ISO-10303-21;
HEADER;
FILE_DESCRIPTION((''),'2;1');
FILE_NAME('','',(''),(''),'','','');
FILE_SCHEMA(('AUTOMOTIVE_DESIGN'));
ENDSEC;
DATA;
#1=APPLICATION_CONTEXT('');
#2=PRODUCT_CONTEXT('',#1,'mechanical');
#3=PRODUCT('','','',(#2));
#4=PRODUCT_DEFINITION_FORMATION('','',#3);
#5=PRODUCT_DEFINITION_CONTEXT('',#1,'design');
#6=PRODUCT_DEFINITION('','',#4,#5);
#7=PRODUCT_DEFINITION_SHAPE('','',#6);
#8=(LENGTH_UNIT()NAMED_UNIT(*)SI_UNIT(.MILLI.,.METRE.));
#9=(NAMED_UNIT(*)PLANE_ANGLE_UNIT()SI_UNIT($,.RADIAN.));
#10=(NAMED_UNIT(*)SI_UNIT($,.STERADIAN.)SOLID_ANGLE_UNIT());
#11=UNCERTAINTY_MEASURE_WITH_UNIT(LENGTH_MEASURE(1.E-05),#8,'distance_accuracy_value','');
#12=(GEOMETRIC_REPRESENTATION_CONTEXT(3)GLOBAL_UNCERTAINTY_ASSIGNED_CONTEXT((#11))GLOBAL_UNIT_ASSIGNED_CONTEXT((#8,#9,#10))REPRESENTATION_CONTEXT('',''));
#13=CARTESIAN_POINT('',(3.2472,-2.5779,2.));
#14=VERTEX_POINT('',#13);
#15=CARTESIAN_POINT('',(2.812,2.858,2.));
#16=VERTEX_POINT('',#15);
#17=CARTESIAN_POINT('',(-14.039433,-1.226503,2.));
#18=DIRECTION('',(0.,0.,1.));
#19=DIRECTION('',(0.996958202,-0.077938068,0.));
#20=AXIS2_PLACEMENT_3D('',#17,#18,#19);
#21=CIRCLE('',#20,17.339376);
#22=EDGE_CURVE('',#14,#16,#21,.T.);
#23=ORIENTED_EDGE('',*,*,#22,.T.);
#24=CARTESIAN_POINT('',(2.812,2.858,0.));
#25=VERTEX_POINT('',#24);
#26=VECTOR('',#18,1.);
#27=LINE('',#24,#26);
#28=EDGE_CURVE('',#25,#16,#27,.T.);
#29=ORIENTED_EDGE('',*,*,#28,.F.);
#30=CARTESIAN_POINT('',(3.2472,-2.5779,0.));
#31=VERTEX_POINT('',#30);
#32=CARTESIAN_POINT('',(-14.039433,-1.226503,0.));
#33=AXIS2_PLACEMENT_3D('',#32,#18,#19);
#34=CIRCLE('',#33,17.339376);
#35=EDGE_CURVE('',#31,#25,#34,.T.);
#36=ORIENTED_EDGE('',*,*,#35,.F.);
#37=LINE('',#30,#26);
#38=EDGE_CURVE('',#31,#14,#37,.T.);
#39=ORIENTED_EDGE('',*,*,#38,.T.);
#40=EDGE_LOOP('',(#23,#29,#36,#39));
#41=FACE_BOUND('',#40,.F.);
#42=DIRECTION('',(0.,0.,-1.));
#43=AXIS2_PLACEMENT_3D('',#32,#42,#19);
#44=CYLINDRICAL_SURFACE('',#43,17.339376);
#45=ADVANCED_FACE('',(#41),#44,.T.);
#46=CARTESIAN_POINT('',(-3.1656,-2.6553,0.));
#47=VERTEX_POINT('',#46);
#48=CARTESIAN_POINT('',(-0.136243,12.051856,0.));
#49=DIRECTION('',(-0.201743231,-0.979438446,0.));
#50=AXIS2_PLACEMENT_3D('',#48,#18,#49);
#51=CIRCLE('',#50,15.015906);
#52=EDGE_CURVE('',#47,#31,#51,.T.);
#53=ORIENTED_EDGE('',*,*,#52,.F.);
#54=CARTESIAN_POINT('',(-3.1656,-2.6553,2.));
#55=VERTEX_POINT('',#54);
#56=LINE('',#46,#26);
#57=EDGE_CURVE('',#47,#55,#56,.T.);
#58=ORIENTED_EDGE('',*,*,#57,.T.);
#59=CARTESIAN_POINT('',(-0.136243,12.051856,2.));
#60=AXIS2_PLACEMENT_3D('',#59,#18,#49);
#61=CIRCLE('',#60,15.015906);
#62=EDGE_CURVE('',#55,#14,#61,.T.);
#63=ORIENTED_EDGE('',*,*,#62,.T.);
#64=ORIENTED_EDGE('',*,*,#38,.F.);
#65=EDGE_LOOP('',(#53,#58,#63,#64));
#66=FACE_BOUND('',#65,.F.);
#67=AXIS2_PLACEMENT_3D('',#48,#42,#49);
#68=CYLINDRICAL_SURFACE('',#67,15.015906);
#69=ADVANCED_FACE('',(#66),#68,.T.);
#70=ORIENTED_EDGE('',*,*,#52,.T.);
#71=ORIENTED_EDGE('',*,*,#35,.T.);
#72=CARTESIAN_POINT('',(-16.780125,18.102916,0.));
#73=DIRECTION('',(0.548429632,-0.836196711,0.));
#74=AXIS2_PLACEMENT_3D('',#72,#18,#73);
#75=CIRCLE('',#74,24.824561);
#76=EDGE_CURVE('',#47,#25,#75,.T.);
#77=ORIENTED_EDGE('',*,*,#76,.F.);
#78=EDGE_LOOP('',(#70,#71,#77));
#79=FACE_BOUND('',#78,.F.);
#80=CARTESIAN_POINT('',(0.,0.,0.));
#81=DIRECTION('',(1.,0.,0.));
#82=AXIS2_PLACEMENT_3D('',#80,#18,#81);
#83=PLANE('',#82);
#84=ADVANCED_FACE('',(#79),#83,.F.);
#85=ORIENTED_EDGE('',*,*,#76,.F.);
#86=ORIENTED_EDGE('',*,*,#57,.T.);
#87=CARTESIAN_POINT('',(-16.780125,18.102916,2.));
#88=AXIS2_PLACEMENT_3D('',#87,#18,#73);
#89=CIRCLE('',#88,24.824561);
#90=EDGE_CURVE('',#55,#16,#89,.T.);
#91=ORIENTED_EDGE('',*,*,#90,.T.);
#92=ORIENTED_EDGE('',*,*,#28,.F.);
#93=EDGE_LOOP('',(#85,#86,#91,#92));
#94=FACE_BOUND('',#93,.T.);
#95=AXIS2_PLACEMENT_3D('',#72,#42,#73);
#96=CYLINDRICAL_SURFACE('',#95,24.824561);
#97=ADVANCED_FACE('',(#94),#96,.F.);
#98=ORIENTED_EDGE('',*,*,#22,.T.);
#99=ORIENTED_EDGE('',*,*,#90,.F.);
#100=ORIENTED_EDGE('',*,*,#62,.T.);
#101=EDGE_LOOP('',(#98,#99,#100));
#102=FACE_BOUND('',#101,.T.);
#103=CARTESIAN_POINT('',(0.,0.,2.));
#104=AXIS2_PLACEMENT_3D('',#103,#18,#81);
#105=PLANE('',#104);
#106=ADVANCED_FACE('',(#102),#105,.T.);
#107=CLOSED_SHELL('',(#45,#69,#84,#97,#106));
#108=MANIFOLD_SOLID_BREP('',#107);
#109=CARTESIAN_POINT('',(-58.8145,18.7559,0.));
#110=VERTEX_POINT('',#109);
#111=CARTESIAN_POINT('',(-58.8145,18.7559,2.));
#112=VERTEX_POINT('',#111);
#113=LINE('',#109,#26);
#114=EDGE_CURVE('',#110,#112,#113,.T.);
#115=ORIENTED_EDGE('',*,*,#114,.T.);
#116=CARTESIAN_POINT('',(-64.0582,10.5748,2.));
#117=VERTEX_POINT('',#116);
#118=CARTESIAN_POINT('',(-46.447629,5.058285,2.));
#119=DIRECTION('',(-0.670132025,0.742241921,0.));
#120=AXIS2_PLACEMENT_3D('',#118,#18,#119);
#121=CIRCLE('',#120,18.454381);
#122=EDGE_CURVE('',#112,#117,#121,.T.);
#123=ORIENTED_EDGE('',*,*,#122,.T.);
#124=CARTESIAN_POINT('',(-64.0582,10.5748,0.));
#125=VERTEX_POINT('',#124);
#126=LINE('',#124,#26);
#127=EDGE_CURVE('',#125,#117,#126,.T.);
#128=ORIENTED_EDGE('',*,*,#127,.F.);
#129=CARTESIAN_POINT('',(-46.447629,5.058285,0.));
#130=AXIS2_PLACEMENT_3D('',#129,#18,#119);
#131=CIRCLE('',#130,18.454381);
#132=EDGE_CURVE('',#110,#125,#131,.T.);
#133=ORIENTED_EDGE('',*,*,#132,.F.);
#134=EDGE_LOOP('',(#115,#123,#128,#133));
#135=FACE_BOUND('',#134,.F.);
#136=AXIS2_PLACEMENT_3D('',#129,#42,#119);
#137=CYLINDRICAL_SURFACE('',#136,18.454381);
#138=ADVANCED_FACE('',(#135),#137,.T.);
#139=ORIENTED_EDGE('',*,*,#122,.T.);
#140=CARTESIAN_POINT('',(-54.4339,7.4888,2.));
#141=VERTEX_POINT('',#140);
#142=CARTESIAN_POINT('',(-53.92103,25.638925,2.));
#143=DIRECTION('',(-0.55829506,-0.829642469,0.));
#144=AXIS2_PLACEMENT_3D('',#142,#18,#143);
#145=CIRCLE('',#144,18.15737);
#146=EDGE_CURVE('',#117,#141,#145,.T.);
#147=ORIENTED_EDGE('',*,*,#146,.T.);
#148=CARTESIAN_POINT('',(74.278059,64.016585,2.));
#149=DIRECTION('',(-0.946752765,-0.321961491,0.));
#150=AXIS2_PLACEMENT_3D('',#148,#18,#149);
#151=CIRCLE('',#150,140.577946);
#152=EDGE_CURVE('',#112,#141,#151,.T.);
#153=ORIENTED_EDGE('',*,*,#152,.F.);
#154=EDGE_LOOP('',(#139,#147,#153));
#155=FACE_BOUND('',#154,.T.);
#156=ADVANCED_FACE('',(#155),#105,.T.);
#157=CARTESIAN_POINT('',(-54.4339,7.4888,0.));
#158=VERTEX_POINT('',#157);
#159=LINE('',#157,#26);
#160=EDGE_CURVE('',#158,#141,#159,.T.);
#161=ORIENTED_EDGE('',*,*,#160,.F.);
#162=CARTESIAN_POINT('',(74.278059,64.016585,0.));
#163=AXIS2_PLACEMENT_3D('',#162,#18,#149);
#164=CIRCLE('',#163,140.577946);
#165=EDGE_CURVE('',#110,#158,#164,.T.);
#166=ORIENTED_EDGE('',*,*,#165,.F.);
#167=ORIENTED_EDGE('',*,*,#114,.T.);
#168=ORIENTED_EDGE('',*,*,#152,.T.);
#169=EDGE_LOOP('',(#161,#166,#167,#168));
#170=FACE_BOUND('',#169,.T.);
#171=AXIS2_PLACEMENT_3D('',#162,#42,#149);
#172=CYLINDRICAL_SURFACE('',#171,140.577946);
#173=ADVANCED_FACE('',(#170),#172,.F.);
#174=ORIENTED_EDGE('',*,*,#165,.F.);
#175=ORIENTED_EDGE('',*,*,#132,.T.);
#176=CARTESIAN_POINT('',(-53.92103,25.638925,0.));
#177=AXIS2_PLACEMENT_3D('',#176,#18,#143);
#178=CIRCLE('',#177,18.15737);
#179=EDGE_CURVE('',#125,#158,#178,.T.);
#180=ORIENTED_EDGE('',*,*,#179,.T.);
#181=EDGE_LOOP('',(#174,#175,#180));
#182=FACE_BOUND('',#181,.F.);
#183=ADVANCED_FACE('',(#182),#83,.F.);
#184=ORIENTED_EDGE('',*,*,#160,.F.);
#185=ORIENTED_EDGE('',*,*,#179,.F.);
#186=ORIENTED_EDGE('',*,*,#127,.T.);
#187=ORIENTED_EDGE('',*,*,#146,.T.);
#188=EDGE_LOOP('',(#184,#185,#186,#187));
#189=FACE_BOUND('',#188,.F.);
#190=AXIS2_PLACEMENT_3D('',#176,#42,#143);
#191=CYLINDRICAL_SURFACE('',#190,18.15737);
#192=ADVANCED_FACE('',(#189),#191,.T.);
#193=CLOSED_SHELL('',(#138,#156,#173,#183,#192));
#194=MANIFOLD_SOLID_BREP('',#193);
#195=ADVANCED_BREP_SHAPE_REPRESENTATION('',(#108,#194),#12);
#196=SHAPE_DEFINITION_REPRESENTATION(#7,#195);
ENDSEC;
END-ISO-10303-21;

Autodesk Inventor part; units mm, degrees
ref_plane "YZ Plane" through (0, 0, 0) normal (1, 0, 0) x (0, 1, 0)
ref_plane "XZ Plane" through (0, 0, 0) normal (0, 1, 0) x (-1, 0, 0)
ref_plane "XY Plane" through (0, 0, 0) normal (0, 0, 1) x (1, 0, 0)
sketch "Sketch1" plane through (0, 0, 0) normal (0, 0, 1) x (1, 0, 0)
  arc A0 (-5.2404, 49.7595) -> (-9.4372, 45.8783) centre (-4.3358, 44.5716) ccw projected
  ellipse E0 centre (-14.2006, 46.3092) end of major axis (-18.9639, 46.7402) minor radius 4.1297 (-9.5634, 45.2073) -> (-9.4372, 45.8783) ccw projected
  arc A1 (-9.4372, 45.8783) -> (-9.5634, 45.2073) centre (-4.3358, 44.5716) ccw projected
  ellipse E1 centre (-14.2006, 46.3092) end of major axis (-9.4372, 45.8783) minor radius 4.1297 (-9.4372, 45.8783) -> (-11.6728, 49.7595) ccw projected
  line L0 (-5.2404, 49.7595) -> (-11.6728, 49.7595) projected
  arc A2 (-63.9112, 49.7595) -> (-65.2479, 47.7205) centre (-46.6268, 36.9707) ccw projected
  spline S0 degree 3 poles (-61.2334, 46.0013) (-61.241, 45.9723) (-61.249, 45.9435) (-61.3795, 45.4969) (-61.5834, 45.1031) (-62.0656, 44.493) (-62.3191, 44.2564) (-62.8632, 43.9012) (-63.1479, 43.7731) (-63.7035, 43.6437) (-63.9708, 43.6275) (-64.3938, 43.6897) (-64.5534, 43.735) (-64.7038, 43.8014) (-64.988, 43.927) (-65.2364, 44.13) (-65.528, 44.5193) (-65.6143, 44.674) (-65.8392, 45.2168) (-65.8922, 45.6367) (-65.8223, 46.5736) (-65.6475, 47.0876) (-65.3313, 47.5991) (-65.2906, 47.6605) (-65.2479, 47.7205) knots -2.04297 -2.04297 -2.04297 -2.04297 -2.033998 -2.033998 -1.903383 -1.903383 -1.8007 -1.8007 -1.70847 -1.70847 -1.629539 -1.629539 -1.580207 -1.580207 -1.580207 -1.486994 -1.486994 -1.434286 -1.434286 -1.31073 -1.31073 -1.152429 -1.152429 -1.130329 -1.130329 -1.130329 -1.130329 projected
  arc A3 (-58.3708, 49.7595) -> (-61.2334, 46.0013) centre (-53.4946, 43.0761) ccw projected
  line L1 (-53.1262, 49.7595) -> (-58.3708, 49.7595) projected
  arc A4 (-53.1262, 49.7595) -> (-48.6958, 45.9623) centre (-39.6934, 60.9493) ccw projected
  arc A5 (-48.6958, 45.9623) -> (-57.6528, 37.9355) centre (-45.2762, 33.1357) ccw projected
  arc A6 (-57.6528, 37.9355) -> (-59.4928, 20.8874) centre (-29.8304, 26.3092) ccw projected
  arc A7 (-59.4928, 20.8874) -> (-66.5058, 9.6449) centre (-48.4804, 6.2092) ccw projected
  arc A8 (-66.5058, 9.6449) -> (-53.176, 5.3746) centre (-55.5804, 20.8092) ccw projected
  arc A9 (-53.176, 5.3746) -> (-7.6044, -3.2884) centre (-25.0596, 29.0848) ccw projected
  arc A10 (-7.6044, -3.2884) -> (5.496, -3.9781) centre (-0.2547, 11.5527) ccw projected
  arc A11 (5.496, -3.9781) -> (2.6997, 6.1416) centre (-9.1212, -2.5709) ccw projected
  arc A12 (2.6997, 6.1416) -> (5.3748, 19.6874) centre (-16.5082, 16.972) ccw projected
  arc A13 (5.3748, 19.6874) -> (-1.1492, 41.7351) centre (-4.3358, 28.8031) ccw projected
  arc A14 (-1.1492, 41.7351) -> (-3.5223, 48.7595) centre (-4.3358, 44.5716) ccw projected
  line L2 (-3.5223, 48.7595) -> (-2.143, 48.7595) projected
  arc A15 (-1.143, 49.7595) -> (-2.143, 48.7595) centre (-1.143, 48.7595) ccw projected
  line L3 (66.0202, 49.7595) -> (-1.143, 49.7595) projected
  line L4 (66.0202, 57.7611) -> (66.0202, 49.7595) projected
  line L5 (-65.756, 57.7611) -> (66.0202, 57.7611) projected
  arc A16 (-67.756, 59.7611) -> (-65.756, 57.7611) centre (-65.756, 59.7611) ccw projected
  line L6 (-67.756, 152.7595) -> (-67.756, 59.7611) projected
  arc A17 (-65.756, 154.7595) -> (-67.756, 152.7595) centre (-65.756, 152.7595) ccw projected
  line L7 (66.0202, 154.7595) -> (-65.756, 154.7595) projected
  line L8 (66.0202, 162.7595) -> (66.0202, 154.7595) projected
  line L9 (-71.181, 162.7595) -> (66.0202, 162.7595) projected
  arc A18 (-71.181, 162.7595) -> (-75.181, 158.7595) centre (-71.181, 158.7595) ccw projected
  line L10 (-75.181, 53.7595) -> (-75.181, 158.7595) projected
  arc A19 (-75.181, 53.7595) -> (-71.181, 49.7595) centre (-71.181, 53.7595) ccw projected
  line L11 (-63.9112, 49.7595) -> (-71.181, 49.7595) projected
  ellipse E2 centre (-14.9945, 46.3092) end of major axis (-19.4324, 46.3092) minor radius 3.9921 projected
  ellipse E3 centre (-31.5804, 27.2595) end of major axis (-34.5804, 27.2595) minor radius 2.4928 projected
  arc A20 (-58.7621, 19.1111) -> (-54.151, 7.251) centre (81.3354, 66.754) ccw projected
  arc A21 (-64.2817, 10.4994) -> (-54.151, 7.251) centre (-53.6108, 26.3569) ccw projected
  arc A22 (-58.7621, 19.1111) -> (-64.2817, 10.4994) centre (-45.7447, 4.6929) ccw projected
  arc A23 (-9.9763, 24.2915) -> (-11.5804, 23.2595) centre (-10.2045, 22.8836) ccw projected
  arc A24 (-11.5804, 23.2595) -> (-13.5065, 25.2338) centre (-14.5804, 22.2595) ccw projected
  ellipse E4 centre (-11.7362, 25.2595) end of major axis (-11.7362, 34.2595) minor radius 1.7702 (-9.9763, 24.2915) -> (-13.5065, 25.2338) ccw projected
  circle A25 centre (-2.5804, 20.8092) radius 2.7388 projected
  circle A26 centre (-24.5804, 22.2595) radius 2.8284 projected
  arc A27 (-3.4029, -2.7392) -> (2.8892, 3.0642) centre (-17.7337, 19.1111) ccw projected
  arc A28 (3.3474, -2.6578) -> (2.8892, 3.0642) centre (-14.8462, -1.2352) ccw projected
  arc A29 (-3.4029, -2.7392) -> (3.3474, -2.6578) centre (-0.2141, 12.7425) ccw projected
  ellipse E5 centre (-4.3358, 44.8225) end of major axis (-0.3171, 44.5466) minor radius 3.5714 projected
  ellipse E6 centre (3.8758, 24.0009) end of major axis (1.3443, 24.0009) minor radius 2.1289 projected
  arc A30 (3.2472, -2.5779) -> (2.812, 2.858) centre (-14.0367, -1.2265) ccw
  arc A31 (-3.1656, -2.6553) -> (3.2472, -2.5779) centre (-0.1362, 12.0523) ccw
  arc A32 (-64.0582, 10.5748) -> (-54.4339, 7.4888) centre (-53.9208, 25.6394) ccw
  arc A33 (-58.8145, 18.7559) -> (-64.0582, 10.5748) centre (-46.448, 5.0586) ccw
  arc A34 (-58.8145, 18.7559) -> (-54.4339, 7.4888) centre (74.2781, 64.0166) ccw
  arc A35 (-3.1656, -2.6553) -> (2.812, 2.858) centre (-16.7798, 18.1025) ccw
  point P0 (0, 0)
  point P1 (1.3443, -1.0602)
  point P2 (-59.8101, 12.0074)
extrude "Extrusion1" add sketch "Sketch1" along normal blind 2 contours A31 A35 A30 | A33 A34 A32
properties part number "EarsPeach"
